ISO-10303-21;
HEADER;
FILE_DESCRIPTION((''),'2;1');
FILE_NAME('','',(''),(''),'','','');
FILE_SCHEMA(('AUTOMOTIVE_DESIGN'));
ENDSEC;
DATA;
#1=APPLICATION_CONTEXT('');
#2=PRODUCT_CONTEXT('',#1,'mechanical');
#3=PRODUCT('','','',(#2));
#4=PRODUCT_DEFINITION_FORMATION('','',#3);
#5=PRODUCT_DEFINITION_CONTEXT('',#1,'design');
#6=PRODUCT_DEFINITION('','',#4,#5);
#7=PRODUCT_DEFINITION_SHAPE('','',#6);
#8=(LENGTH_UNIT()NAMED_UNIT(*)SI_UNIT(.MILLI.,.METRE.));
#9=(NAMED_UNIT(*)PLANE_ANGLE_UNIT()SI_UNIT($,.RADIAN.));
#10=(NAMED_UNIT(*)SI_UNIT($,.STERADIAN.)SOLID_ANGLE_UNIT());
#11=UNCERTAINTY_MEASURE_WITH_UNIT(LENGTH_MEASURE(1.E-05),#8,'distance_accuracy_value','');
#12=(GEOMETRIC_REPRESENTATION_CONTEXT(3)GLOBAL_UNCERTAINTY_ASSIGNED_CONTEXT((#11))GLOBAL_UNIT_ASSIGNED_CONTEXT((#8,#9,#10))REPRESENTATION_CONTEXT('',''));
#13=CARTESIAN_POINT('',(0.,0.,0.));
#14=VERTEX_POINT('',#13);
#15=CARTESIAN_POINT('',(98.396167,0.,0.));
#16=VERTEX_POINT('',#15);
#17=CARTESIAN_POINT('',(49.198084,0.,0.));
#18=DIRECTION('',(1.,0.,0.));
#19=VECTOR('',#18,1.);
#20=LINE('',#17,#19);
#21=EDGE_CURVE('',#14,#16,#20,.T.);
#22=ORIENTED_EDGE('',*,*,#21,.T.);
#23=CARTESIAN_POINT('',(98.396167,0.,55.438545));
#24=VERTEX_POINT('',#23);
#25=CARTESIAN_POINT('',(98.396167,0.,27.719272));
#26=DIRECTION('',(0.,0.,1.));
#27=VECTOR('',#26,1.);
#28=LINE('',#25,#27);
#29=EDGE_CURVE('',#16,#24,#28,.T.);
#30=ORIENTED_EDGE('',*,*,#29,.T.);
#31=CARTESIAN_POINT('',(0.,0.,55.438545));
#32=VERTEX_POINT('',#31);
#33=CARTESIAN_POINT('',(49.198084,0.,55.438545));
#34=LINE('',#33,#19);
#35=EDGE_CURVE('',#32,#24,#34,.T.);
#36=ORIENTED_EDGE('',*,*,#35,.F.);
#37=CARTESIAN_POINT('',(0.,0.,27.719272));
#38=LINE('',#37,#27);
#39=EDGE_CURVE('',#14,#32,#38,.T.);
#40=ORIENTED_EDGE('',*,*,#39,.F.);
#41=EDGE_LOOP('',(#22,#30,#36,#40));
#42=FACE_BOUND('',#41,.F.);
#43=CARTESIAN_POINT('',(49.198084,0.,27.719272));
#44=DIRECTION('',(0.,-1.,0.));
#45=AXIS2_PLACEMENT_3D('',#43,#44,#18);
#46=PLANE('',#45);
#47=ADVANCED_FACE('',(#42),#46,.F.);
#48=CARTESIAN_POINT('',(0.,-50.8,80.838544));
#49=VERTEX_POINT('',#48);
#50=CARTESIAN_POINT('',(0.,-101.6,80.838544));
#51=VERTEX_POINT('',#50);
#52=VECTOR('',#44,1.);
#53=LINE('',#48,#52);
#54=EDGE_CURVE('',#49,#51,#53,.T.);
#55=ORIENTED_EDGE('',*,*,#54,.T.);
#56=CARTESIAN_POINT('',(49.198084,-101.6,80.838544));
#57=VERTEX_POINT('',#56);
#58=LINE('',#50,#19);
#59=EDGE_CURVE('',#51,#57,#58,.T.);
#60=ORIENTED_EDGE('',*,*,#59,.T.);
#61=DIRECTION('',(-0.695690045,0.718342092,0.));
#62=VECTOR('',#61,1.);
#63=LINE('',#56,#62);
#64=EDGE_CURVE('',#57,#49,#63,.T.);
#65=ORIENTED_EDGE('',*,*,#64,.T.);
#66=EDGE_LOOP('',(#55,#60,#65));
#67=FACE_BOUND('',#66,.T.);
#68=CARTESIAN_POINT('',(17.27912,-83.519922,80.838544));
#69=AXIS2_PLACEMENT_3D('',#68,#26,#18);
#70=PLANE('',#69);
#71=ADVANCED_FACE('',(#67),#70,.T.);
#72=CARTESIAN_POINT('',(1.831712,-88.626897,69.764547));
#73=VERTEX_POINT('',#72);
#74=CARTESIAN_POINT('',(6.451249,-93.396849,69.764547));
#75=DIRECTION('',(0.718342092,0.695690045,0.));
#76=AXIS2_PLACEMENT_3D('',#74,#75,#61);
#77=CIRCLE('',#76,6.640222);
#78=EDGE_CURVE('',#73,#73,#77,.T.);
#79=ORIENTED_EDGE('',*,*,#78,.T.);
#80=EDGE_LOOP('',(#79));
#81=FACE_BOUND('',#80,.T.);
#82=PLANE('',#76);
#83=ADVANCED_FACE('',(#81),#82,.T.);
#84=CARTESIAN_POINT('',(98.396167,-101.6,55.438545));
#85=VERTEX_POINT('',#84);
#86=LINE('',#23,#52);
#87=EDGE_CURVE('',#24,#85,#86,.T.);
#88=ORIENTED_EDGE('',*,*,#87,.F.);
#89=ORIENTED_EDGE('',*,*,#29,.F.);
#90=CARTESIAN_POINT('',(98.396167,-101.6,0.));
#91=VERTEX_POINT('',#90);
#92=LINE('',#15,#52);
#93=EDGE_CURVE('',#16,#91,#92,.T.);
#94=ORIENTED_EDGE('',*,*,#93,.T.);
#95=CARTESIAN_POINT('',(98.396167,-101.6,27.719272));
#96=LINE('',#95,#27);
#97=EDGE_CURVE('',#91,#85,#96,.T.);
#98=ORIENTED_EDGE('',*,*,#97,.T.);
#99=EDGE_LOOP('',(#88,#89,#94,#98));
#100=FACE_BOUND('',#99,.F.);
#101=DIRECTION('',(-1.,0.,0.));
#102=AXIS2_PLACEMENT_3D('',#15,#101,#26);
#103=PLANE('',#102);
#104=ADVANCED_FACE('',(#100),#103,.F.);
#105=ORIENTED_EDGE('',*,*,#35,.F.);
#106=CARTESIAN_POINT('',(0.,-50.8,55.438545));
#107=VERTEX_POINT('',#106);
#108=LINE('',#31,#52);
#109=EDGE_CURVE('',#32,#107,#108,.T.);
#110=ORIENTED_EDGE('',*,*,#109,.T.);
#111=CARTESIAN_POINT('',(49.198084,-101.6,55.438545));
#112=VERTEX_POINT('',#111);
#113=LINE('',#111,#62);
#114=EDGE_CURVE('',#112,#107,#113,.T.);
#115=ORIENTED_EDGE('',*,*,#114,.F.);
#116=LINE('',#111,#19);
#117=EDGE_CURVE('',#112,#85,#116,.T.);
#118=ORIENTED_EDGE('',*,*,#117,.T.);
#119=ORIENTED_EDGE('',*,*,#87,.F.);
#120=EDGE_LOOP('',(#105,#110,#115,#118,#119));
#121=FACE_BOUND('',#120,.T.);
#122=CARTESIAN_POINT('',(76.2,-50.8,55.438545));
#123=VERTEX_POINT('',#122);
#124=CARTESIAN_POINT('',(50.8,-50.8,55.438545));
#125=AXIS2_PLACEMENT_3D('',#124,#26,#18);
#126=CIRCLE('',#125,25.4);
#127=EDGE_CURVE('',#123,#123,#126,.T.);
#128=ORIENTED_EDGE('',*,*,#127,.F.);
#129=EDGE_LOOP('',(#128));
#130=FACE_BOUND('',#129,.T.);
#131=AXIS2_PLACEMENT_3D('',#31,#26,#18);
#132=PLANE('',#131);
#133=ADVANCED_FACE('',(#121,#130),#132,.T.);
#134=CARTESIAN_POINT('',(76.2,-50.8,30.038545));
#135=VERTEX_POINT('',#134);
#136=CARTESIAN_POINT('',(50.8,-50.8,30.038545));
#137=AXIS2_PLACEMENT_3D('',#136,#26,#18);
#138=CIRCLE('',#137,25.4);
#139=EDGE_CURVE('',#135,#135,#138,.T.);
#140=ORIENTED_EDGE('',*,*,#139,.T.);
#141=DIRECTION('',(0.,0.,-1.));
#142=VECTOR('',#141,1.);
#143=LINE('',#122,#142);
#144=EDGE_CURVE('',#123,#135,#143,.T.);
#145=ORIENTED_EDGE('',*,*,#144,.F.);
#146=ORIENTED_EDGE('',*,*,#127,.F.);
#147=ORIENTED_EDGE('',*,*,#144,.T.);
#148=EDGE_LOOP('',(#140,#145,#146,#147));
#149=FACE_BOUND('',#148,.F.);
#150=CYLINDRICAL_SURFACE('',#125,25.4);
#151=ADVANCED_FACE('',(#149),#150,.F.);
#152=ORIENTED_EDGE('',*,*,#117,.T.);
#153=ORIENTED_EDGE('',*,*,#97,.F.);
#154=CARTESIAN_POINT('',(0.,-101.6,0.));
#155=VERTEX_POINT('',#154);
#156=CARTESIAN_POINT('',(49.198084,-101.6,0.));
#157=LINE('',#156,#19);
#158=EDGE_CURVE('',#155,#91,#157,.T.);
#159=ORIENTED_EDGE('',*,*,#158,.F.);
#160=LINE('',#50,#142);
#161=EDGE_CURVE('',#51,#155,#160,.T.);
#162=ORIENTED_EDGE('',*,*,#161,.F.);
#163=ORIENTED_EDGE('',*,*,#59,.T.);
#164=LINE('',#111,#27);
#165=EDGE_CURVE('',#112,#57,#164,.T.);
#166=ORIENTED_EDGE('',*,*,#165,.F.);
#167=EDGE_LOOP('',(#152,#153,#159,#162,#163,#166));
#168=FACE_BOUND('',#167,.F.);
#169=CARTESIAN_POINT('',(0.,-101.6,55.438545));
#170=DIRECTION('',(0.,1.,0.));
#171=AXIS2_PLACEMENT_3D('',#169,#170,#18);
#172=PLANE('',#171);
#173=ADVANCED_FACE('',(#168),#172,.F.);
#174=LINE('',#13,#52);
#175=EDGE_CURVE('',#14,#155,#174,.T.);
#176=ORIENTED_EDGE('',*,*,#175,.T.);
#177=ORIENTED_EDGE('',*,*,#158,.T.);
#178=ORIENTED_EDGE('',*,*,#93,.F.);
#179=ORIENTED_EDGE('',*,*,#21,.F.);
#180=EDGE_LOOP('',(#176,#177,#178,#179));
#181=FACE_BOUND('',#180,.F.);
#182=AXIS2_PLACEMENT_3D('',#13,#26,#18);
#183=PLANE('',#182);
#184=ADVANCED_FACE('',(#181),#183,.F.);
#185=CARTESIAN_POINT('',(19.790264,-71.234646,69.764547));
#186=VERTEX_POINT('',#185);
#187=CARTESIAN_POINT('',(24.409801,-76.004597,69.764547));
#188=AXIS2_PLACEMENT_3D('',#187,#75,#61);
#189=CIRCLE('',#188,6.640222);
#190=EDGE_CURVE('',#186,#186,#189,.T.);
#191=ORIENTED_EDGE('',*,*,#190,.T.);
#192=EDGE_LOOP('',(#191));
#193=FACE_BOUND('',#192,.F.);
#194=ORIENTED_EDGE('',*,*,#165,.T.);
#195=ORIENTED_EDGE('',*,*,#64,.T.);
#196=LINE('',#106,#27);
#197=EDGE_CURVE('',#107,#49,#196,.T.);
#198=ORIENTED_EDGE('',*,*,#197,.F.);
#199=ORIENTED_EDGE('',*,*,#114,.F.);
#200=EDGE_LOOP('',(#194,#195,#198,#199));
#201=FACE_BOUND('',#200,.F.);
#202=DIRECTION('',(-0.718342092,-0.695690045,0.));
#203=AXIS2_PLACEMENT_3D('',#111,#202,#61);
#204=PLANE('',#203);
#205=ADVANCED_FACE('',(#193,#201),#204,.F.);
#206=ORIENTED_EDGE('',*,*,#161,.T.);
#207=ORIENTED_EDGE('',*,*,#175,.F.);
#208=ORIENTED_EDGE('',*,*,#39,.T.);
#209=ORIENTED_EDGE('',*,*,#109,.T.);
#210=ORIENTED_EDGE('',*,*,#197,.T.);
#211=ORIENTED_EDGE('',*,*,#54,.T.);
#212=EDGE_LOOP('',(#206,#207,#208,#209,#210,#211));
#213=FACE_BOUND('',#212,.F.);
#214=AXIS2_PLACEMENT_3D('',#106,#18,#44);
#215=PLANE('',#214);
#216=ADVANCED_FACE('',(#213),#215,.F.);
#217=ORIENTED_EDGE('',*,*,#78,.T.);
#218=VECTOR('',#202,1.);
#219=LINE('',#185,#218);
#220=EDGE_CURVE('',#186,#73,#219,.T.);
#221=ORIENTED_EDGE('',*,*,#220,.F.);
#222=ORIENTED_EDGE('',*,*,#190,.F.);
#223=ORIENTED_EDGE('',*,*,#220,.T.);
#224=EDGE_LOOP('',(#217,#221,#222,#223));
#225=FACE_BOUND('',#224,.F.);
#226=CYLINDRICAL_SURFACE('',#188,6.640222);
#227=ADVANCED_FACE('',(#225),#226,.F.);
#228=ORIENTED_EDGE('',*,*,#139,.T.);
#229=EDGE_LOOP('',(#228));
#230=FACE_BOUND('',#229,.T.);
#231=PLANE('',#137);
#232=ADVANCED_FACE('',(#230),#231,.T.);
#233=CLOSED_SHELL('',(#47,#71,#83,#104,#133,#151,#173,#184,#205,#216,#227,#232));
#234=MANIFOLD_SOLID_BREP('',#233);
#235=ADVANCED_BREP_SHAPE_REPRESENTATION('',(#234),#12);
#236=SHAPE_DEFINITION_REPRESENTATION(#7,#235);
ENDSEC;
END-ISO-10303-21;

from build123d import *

# Parameters (mm, degrees)
F0_W     = 98.3961671591
F0_H     = 55.4385446012
F1_DEPTH = 101.6
F2_R     = 25.4
F3_DEPTH = 25.4
F5_DEPTH = 25.399999693
F6_R     = 6.6402223844
F7_DEPTH = 25


with BuildPart() as f1:
    # F0 (on Front) → F1 (new body)
    with BuildSketch(Plane.XZ):
        with Locations((49.1980835795, 27.7192723006)):
            Rectangle(F0_W, F0_H)
    extrude(amount=F1_DEPTH)

    # F2 (on face) → F3 (cut)
    with BuildSketch(Plane.XY.offset(55.4385446012)):
        with Locations((50.8, -50.8)):
            Circle(F2_R)
    extrude(amount=-F3_DEPTH, mode=Mode.SUBTRACT)

    # F4 (on face) → F5 (join)
    with BuildSketch(Plane.XY.offset(55.4385446012)):
        Polygon((49.1980835795, -101.6), (0, -50.8), (0, -101.6), align=None)
    extrude(amount=F5_DEPTH)

    # F6 (on face) → F7 (cut)
    with BuildSketch(Plane(origin=(-25.386966873, -24.5864196466, 0), x_dir=(-0.695690045, 0.7183420921, 0), z_dir=(0.7183420921, 0.695690045, 0))):
        with Locations((-71.5789571404, 69.76454705)):
            Circle(F6_R)
    extrude(amount=-F7_DEPTH, mode=Mode.SUBTRACT)


solid = f1.part
